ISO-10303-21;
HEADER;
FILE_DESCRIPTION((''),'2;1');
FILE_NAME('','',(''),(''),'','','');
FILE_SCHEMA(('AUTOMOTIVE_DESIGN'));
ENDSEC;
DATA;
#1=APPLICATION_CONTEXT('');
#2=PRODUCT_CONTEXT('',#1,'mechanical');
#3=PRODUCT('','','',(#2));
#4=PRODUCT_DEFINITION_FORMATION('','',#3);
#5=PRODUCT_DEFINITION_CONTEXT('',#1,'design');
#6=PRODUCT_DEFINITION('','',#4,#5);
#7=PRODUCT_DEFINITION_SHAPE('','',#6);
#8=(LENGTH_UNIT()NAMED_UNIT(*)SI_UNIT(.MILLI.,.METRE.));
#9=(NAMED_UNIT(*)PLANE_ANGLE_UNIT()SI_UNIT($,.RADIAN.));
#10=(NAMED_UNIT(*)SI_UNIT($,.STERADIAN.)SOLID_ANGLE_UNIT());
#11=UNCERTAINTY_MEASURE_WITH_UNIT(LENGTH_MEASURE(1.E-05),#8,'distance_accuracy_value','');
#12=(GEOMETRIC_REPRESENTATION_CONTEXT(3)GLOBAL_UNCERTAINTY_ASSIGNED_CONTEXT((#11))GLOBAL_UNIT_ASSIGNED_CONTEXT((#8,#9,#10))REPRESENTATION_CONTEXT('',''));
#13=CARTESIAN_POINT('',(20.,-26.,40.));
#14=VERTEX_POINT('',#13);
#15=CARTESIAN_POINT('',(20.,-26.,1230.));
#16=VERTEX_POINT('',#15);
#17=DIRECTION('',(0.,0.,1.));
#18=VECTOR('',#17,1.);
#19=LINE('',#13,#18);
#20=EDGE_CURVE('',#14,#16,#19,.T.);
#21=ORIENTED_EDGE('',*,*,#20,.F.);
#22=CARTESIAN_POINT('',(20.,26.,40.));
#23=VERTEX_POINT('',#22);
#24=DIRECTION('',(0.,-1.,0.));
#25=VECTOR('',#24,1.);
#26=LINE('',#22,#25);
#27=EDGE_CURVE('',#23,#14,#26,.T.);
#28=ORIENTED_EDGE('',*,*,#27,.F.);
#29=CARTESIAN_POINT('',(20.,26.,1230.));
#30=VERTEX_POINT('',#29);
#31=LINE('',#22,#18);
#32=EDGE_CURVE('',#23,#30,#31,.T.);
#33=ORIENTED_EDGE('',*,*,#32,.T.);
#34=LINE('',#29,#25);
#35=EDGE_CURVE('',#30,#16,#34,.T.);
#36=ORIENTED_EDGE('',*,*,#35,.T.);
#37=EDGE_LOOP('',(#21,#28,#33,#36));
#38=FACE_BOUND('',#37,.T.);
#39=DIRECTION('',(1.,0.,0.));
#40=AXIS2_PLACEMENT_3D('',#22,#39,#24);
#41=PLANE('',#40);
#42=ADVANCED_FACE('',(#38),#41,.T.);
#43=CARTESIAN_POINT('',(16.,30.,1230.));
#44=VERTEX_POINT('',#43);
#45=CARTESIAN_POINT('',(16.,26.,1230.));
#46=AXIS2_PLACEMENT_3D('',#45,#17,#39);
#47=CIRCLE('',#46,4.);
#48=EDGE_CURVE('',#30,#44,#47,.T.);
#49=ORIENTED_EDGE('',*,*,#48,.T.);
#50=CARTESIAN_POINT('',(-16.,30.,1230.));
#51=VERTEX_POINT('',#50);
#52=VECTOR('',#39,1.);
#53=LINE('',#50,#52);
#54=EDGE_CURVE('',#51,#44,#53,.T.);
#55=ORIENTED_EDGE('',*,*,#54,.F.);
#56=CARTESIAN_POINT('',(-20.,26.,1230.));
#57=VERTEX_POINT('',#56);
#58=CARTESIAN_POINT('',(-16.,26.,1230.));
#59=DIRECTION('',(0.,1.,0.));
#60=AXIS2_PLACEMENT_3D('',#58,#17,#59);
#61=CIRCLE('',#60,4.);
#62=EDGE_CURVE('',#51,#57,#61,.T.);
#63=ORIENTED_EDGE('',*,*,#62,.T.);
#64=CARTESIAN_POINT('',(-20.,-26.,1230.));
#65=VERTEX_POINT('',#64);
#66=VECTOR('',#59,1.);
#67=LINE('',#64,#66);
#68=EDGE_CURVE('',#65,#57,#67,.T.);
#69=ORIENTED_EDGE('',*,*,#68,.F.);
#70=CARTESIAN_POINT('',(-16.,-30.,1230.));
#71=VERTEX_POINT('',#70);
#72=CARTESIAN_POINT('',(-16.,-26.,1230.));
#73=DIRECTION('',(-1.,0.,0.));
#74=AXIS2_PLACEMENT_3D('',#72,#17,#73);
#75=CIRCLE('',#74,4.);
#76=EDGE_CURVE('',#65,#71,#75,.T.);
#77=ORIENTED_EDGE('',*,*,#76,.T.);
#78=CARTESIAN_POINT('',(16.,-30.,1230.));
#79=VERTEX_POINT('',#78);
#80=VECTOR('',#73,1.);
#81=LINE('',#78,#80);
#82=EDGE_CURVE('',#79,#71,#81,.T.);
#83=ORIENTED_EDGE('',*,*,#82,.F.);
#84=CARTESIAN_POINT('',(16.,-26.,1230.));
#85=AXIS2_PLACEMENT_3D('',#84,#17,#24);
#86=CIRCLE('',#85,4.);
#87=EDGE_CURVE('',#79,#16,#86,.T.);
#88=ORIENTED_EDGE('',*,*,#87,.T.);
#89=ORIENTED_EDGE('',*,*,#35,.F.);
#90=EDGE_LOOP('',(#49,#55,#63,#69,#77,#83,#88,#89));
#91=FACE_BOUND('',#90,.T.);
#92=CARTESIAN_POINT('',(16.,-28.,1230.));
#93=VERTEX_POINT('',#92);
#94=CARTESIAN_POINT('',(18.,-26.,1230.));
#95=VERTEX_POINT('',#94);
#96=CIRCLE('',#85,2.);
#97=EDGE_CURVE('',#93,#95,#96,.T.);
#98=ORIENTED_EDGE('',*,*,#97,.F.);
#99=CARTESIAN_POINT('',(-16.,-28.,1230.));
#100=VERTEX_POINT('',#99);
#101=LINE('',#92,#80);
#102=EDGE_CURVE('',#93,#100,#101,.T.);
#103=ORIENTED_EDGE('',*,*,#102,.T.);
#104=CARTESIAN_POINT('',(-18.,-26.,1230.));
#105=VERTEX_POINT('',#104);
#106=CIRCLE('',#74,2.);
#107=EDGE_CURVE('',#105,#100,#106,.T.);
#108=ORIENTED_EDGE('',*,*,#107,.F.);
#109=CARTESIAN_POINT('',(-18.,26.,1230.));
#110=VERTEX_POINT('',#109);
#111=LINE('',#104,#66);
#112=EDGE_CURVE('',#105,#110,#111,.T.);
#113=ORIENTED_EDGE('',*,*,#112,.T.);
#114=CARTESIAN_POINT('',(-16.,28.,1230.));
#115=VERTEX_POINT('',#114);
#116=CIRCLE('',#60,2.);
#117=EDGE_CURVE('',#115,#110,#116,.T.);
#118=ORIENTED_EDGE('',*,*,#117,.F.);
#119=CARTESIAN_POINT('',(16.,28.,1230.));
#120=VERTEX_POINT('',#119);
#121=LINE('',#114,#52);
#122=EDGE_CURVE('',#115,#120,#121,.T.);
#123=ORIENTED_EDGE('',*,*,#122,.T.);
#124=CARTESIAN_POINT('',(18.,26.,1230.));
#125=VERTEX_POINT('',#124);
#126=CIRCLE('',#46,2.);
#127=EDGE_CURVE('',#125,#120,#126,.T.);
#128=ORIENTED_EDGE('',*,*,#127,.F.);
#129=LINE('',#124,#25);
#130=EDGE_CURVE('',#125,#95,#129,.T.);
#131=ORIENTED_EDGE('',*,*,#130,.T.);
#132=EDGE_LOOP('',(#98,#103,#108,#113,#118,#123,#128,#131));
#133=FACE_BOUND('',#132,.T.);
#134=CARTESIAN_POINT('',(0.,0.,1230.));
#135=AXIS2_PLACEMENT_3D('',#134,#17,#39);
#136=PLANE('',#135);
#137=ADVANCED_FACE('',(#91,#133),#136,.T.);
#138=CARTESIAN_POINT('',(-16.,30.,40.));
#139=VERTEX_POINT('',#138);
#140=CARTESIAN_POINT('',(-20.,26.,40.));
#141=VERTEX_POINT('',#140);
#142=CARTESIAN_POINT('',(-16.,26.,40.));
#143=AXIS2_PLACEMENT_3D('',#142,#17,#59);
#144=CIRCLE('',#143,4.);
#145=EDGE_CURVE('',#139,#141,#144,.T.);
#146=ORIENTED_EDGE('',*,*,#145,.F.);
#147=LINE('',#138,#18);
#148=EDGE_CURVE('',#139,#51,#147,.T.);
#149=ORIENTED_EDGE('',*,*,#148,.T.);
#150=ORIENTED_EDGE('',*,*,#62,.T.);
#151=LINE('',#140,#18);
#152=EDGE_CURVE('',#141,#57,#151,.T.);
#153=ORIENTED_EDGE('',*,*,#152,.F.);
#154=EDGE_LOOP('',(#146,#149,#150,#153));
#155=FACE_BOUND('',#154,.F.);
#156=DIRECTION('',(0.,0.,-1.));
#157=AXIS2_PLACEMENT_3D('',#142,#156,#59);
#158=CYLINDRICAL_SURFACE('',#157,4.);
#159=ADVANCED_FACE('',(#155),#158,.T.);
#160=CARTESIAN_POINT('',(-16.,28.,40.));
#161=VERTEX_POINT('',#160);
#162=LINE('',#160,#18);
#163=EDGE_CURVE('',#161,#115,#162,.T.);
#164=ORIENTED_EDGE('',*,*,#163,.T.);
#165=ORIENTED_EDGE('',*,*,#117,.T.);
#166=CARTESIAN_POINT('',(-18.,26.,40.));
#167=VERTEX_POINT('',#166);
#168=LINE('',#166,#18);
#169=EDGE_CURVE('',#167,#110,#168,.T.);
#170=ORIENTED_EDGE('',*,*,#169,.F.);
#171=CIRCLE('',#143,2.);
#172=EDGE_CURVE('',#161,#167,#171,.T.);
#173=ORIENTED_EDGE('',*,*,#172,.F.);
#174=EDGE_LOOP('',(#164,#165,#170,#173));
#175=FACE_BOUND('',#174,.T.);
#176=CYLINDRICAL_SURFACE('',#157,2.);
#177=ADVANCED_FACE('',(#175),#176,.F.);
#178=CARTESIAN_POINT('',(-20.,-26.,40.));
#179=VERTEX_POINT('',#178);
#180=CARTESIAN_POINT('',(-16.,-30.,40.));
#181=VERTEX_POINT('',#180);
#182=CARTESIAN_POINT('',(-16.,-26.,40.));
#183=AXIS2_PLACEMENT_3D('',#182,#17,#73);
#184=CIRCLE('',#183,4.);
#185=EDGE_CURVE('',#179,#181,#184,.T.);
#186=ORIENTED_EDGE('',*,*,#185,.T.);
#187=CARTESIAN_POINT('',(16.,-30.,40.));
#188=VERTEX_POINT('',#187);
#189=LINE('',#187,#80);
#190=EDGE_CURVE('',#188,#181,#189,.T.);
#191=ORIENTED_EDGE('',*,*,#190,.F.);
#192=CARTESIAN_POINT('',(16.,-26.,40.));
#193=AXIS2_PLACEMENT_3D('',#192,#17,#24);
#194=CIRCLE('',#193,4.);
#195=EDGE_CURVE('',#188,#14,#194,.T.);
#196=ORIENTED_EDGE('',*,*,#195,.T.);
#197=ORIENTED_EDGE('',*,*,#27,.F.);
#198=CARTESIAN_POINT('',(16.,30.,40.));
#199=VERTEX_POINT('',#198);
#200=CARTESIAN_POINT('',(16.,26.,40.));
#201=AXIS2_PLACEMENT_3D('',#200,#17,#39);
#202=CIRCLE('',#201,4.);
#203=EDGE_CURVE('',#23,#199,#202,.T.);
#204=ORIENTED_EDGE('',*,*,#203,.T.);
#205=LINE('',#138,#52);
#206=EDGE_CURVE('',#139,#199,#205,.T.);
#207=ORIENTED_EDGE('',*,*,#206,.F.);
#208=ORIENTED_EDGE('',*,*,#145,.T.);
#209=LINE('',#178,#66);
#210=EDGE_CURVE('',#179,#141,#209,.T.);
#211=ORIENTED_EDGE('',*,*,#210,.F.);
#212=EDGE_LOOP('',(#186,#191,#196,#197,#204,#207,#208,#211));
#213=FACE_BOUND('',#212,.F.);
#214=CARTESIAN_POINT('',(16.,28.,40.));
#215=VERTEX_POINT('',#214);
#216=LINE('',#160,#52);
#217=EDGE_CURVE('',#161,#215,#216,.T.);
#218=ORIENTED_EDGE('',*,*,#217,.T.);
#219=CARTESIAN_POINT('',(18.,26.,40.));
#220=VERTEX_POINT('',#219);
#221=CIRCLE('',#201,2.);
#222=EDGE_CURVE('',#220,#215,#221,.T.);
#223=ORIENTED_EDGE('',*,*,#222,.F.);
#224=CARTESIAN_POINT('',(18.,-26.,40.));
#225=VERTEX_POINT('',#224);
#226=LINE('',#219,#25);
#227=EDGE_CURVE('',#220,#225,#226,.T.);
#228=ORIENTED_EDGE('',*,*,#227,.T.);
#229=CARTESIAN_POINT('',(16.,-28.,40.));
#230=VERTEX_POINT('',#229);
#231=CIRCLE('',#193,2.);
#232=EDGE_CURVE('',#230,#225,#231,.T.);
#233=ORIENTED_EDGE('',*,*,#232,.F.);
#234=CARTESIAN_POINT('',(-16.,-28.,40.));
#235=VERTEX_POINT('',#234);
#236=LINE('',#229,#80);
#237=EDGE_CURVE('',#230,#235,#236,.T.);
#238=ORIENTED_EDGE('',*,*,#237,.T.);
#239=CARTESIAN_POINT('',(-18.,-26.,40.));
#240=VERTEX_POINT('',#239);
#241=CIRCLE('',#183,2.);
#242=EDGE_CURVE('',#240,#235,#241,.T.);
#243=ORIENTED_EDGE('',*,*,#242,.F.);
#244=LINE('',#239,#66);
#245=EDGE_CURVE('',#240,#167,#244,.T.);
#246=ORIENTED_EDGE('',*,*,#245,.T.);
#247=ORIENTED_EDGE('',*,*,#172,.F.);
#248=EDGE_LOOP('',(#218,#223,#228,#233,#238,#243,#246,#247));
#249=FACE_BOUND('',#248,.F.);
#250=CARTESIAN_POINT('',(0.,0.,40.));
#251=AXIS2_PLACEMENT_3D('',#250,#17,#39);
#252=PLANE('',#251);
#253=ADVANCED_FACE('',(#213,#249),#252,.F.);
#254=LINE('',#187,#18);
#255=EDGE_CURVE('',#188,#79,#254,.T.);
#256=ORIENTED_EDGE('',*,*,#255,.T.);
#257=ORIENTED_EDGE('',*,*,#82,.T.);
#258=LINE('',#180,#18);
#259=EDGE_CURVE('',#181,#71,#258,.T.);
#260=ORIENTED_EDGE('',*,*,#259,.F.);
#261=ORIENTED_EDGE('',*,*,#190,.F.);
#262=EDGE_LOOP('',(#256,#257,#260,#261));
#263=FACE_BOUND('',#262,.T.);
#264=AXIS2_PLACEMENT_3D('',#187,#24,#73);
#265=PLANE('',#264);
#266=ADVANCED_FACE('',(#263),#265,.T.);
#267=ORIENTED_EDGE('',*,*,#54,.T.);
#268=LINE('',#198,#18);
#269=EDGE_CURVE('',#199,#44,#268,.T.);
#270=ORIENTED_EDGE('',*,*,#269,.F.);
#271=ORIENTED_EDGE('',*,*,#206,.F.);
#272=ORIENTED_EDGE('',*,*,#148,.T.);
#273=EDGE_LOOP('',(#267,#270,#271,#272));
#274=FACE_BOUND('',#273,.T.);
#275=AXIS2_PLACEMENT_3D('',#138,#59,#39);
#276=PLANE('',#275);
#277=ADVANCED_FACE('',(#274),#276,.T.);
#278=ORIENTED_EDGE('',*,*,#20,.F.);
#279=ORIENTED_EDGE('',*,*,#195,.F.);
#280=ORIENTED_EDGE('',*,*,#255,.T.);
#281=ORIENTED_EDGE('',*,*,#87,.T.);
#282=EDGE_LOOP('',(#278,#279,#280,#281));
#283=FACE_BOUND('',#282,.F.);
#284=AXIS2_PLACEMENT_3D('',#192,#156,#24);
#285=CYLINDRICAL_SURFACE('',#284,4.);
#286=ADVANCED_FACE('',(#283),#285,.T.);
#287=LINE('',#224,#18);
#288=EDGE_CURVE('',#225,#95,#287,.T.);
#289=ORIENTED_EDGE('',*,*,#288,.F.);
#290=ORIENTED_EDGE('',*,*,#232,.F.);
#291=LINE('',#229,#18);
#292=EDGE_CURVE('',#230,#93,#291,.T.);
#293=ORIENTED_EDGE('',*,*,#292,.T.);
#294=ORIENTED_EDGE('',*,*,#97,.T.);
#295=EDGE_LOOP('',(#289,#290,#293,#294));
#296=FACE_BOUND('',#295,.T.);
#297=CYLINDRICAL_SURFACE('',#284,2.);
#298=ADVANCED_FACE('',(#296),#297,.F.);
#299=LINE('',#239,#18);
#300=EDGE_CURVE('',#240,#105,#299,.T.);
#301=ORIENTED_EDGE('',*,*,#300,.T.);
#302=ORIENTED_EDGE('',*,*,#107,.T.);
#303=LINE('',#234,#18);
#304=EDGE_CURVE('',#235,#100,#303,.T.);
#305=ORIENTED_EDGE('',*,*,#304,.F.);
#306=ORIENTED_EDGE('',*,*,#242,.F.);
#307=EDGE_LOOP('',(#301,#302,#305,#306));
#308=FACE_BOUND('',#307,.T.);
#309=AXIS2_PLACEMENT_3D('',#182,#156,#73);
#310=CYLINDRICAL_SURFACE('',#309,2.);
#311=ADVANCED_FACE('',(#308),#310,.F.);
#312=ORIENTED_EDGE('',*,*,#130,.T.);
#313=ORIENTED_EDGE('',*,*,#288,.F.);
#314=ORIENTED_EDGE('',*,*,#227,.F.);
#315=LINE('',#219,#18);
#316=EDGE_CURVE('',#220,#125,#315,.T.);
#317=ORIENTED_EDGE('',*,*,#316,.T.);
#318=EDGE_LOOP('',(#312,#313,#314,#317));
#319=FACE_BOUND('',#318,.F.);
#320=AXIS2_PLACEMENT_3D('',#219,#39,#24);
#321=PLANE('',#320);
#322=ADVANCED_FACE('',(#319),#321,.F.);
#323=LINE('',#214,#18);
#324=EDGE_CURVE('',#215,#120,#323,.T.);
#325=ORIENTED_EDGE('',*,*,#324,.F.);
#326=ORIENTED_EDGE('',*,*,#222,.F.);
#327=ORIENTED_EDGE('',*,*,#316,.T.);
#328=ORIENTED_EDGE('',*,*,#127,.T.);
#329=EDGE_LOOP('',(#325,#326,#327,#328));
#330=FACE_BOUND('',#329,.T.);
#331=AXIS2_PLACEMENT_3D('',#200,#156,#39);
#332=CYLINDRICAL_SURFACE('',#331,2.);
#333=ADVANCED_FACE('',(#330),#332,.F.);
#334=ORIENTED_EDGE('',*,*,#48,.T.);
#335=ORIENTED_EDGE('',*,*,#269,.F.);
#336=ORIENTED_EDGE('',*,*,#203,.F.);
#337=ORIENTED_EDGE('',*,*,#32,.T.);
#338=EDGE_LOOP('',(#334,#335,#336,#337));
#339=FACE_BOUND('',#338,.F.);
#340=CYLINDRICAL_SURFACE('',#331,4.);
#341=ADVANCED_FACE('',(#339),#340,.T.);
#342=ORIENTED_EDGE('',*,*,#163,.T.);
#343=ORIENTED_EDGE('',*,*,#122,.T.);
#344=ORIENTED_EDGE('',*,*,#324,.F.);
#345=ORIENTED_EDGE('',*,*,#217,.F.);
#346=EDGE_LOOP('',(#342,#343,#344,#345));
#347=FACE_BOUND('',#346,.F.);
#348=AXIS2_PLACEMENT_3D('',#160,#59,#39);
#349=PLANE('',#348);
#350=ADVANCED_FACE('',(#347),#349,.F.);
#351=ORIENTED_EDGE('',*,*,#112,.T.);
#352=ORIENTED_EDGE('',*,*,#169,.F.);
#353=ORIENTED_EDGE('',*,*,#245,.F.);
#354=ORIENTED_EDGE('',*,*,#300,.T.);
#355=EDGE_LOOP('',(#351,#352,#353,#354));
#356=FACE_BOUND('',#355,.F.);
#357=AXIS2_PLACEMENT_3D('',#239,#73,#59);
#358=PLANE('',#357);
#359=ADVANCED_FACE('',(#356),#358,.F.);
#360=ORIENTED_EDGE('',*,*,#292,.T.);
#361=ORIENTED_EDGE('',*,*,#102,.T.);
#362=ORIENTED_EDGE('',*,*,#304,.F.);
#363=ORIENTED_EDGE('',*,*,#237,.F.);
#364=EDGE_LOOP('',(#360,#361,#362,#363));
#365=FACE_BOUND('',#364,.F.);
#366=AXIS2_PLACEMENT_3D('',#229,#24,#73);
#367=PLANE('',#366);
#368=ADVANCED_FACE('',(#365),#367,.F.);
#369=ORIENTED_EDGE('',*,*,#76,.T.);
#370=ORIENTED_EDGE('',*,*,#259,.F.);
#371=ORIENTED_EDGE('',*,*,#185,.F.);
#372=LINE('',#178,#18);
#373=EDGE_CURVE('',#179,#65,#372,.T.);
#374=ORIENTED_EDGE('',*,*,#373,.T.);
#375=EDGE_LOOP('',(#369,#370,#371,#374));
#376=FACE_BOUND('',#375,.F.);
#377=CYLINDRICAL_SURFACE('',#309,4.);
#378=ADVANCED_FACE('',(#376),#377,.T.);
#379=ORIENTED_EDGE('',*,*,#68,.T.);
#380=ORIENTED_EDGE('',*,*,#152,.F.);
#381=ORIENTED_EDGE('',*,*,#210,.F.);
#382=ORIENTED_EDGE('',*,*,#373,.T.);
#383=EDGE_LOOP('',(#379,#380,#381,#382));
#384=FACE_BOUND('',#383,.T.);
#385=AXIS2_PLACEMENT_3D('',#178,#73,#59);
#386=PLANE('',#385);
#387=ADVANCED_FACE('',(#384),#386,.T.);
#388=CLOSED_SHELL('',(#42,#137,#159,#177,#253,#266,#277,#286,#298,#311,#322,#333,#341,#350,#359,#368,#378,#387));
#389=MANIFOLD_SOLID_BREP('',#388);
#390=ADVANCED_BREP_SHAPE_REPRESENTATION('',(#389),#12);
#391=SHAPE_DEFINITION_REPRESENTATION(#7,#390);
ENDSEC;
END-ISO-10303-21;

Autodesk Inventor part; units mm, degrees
ref_plane "YZ Plane" through (0, 0, 0) normal (1, 0, 0) x (0, 1, 0)
ref_plane "Start Plane" through (0, 0, 40) normal (0, 0, 1) x (1, 0, 0)
ref_plane "End Plane" through (0, 0, 1230) normal (0, 0, 1) x (1, 0, 0)
sketch "Sketch" plane through (0, 0, 0) normal (0, 0, 1) x (1, 0, 0)
  line L0 (-20, -26) -> (-20, 26)
  line L1 (-16, 30) -> (16, 30)
  line L2 (20, 26) -> (20, -26)
  line L3 (16, -30) -> (-16, -30)
  arc A0 (-20, -26) -> (-16, -30) centre (-16, -26) ccw
  arc A1 (20, 26) -> (16, 30) centre (16, 26) ccw
  arc A2 (-16, 30) -> (-20, 26) centre (-16, 26) ccw
  arc A3 (16, -30) -> (20, -26) centre (16, -26) ccw
  arc A4 (-16, 28) -> (-18, 26) centre (-16, 26) ccw
  line L4 (-16, 28) -> (16, 28)
  arc A5 (18, 26) -> (16, 28) centre (16, 26) ccw
  line L5 (18, 26) -> (18, -26)
  arc A6 (16, -28) -> (18, -26) centre (16, -26) ccw
  line L6 (16, -28) -> (-16, -28)
  arc A7 (-18, -26) -> (-16, -28) centre (-16, -26) ccw
  line L7 (-18, -26) -> (-18, 26)
  line L8 (0, 43.1598) -> (0, -43.1598) construction
  line L9 (-29.1598, 0) -> (29.1598, 0) construction
  dimension "d7" = 4
  dimension "d9" = 40
  dimension "d11" = 60
  dimension "d12" = 2
  dimension "d15" = 20
  dimension "d16" = 30
extrude "Body" add sketch "Sketch" along normal up to surface (1190 mm away) from surface at 40
sketch "Sketch3" plane through (0, 0, 0) normal (0, 0, 1) x (1, 0, 0)
  line L0 (0, 0) -> (10, 0)
ref_plane "Work Plane3" through (0, 0, 0) normal (0, -1, 0) x (1, 0, 0)
sketch "Sketch4" plane through (0, 0, 0) normal (0, -1, 0) x (1, 0, 0)
  line L0 (-2, 40) -> (12, 40) projected
  line L1 (-2, 1230) -> (12, 1230) projected
  dimension "d18" = 1190
equation "\"d7\" = G_IR"
equation "\"d9\" = G_W"
equation "\"d11\" = G_H"
equation "\"d12\" = G_T"
equation "\"d15\" = 0.5 * d9"
equation "\"d16\" = 0.5 * d11"
equation "\"d3\" = G_L"
equation "\"G_W\" = 40"
equation "\"G_H\" = 60"
equation "\"G_T\" = 2"
equation "\"G_IR\" = 4"
equation "\"G_L\" = d18"
properties part number "ISO 10799-2 - 60x40x2 - 1190" material "Steel, Mild"
